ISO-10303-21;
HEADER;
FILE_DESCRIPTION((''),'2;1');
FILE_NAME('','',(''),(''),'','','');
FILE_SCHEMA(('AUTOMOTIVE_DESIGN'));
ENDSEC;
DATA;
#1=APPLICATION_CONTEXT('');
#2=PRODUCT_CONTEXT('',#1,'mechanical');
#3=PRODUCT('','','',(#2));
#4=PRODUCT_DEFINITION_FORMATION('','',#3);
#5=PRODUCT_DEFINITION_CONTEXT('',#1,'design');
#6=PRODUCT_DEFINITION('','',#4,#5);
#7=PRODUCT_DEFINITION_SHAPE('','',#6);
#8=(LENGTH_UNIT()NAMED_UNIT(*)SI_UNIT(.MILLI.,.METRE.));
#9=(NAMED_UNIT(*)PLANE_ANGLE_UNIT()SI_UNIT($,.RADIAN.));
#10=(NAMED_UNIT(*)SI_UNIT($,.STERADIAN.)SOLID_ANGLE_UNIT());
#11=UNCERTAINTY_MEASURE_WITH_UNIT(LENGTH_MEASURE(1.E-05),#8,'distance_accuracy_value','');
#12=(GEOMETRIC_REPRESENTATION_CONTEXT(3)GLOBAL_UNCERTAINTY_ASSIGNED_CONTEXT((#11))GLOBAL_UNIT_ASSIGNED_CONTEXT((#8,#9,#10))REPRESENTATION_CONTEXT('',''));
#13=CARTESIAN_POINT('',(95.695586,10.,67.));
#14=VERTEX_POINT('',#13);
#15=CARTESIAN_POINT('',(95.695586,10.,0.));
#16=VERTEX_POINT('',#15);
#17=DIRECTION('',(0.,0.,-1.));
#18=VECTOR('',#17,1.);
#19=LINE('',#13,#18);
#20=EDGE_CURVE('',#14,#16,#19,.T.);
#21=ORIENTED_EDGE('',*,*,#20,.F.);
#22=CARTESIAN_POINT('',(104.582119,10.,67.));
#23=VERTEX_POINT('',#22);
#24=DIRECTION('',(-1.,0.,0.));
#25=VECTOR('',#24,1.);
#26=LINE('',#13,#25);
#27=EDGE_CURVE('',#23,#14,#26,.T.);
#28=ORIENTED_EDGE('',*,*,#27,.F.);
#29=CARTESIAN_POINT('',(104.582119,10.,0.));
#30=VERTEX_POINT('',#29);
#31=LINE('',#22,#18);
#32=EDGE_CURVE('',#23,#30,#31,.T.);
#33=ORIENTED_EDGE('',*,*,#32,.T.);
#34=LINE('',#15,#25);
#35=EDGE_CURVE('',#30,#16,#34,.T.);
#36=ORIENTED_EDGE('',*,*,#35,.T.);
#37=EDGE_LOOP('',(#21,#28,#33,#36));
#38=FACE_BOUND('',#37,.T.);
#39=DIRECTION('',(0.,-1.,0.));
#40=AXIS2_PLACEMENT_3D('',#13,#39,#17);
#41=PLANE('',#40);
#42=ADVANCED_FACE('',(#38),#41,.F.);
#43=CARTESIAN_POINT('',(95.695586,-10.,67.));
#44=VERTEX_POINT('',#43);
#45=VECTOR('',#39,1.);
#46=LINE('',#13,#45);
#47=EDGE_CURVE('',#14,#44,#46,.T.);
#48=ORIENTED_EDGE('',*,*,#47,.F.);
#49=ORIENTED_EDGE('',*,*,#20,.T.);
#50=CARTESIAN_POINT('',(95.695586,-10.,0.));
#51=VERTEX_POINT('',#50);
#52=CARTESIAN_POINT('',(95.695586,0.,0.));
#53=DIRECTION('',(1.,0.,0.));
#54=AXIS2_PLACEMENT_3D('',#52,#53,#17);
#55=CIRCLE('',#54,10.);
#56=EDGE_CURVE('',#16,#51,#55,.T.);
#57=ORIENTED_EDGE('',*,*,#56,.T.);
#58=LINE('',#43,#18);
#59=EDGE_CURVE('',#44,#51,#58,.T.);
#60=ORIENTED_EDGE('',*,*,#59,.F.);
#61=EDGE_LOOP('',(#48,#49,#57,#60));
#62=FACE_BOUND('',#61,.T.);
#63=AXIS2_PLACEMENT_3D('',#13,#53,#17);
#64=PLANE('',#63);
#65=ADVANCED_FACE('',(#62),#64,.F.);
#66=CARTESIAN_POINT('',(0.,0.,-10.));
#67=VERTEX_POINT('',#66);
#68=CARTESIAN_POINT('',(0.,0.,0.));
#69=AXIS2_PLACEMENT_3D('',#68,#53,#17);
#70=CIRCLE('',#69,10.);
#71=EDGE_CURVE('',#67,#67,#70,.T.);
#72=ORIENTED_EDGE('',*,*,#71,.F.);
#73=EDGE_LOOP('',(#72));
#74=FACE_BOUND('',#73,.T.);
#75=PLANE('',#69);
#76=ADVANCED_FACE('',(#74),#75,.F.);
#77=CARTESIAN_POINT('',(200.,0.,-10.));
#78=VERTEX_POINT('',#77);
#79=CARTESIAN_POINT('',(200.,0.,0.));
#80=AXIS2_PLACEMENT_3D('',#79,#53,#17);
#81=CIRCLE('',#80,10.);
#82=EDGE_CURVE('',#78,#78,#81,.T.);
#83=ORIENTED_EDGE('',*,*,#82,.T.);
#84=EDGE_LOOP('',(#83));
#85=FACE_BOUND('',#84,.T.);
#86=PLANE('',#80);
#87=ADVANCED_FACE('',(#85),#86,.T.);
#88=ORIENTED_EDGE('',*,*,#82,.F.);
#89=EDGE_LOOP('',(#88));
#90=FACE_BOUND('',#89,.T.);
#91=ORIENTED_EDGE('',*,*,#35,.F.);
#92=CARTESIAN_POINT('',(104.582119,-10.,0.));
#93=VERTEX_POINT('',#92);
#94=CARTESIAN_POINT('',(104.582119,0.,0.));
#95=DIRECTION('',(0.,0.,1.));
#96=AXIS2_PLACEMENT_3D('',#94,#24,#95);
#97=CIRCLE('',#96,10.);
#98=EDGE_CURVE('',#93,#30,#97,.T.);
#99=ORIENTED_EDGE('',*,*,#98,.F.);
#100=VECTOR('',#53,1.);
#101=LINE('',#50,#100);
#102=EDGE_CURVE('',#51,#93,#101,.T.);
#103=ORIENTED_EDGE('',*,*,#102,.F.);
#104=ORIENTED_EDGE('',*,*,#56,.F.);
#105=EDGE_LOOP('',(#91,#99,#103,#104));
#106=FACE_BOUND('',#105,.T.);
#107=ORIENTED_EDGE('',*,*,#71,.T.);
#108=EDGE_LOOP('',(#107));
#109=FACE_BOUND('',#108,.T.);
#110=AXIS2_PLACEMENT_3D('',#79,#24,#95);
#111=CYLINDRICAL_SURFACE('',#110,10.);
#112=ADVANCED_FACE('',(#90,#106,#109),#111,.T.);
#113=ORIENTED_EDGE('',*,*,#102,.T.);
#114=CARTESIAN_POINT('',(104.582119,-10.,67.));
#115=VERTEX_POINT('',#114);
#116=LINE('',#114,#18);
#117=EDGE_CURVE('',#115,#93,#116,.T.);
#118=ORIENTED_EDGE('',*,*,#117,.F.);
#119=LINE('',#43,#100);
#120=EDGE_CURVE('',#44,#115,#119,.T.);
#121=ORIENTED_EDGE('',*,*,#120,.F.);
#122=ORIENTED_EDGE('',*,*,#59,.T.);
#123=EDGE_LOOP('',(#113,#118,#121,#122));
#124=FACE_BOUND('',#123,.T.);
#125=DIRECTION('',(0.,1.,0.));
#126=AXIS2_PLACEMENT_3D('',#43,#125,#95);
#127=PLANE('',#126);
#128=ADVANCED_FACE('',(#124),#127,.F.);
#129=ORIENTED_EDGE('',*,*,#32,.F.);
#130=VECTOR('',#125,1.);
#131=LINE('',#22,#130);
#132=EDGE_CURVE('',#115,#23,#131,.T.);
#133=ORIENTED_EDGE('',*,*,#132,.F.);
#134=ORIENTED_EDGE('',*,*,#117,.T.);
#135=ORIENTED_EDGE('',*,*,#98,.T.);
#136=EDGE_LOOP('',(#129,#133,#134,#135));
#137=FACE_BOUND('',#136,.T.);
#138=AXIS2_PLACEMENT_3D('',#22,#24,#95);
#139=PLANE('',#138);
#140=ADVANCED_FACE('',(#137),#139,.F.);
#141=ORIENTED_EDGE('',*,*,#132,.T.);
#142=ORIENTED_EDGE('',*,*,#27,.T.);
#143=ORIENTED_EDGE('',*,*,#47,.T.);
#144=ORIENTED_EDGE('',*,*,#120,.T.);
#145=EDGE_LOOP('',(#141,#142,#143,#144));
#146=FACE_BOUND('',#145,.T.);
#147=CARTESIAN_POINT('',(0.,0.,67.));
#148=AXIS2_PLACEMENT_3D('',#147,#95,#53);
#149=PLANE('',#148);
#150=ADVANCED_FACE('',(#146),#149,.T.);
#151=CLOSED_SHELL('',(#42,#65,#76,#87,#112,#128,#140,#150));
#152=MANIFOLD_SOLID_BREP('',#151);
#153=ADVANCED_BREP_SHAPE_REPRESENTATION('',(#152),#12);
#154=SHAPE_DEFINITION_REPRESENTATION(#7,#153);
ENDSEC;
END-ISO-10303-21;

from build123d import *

# Parameters (mm, degrees)
SKETCH_1_R      = 10
EXTRUDE_1_DEPTH = 200
SKETCH_4_W      = 8.886532998
SKETCH_4_H      = 20
EXTRUDE_2_DEPTH = 67


with BuildPart() as part:
    # 草图1 → 凸台-拉伸1 (new body)
    with BuildSketch(Plane(origin=(0, 0, 0), x_dir=(0, 0, -1), z_dir=(1, 0, 0))):
        Circle(SKETCH_1_R)
    extrude(amount=EXTRUDE_1_DEPTH)

    # 草图4 → 凸台-拉伸2 (add)
    with BuildSketch(Plane.XY):
        with Locations((100.138852078, 0)):
            Rectangle(SKETCH_4_W, SKETCH_4_H)
    extrude(amount=EXTRUDE_2_DEPTH)


solid = part.part
